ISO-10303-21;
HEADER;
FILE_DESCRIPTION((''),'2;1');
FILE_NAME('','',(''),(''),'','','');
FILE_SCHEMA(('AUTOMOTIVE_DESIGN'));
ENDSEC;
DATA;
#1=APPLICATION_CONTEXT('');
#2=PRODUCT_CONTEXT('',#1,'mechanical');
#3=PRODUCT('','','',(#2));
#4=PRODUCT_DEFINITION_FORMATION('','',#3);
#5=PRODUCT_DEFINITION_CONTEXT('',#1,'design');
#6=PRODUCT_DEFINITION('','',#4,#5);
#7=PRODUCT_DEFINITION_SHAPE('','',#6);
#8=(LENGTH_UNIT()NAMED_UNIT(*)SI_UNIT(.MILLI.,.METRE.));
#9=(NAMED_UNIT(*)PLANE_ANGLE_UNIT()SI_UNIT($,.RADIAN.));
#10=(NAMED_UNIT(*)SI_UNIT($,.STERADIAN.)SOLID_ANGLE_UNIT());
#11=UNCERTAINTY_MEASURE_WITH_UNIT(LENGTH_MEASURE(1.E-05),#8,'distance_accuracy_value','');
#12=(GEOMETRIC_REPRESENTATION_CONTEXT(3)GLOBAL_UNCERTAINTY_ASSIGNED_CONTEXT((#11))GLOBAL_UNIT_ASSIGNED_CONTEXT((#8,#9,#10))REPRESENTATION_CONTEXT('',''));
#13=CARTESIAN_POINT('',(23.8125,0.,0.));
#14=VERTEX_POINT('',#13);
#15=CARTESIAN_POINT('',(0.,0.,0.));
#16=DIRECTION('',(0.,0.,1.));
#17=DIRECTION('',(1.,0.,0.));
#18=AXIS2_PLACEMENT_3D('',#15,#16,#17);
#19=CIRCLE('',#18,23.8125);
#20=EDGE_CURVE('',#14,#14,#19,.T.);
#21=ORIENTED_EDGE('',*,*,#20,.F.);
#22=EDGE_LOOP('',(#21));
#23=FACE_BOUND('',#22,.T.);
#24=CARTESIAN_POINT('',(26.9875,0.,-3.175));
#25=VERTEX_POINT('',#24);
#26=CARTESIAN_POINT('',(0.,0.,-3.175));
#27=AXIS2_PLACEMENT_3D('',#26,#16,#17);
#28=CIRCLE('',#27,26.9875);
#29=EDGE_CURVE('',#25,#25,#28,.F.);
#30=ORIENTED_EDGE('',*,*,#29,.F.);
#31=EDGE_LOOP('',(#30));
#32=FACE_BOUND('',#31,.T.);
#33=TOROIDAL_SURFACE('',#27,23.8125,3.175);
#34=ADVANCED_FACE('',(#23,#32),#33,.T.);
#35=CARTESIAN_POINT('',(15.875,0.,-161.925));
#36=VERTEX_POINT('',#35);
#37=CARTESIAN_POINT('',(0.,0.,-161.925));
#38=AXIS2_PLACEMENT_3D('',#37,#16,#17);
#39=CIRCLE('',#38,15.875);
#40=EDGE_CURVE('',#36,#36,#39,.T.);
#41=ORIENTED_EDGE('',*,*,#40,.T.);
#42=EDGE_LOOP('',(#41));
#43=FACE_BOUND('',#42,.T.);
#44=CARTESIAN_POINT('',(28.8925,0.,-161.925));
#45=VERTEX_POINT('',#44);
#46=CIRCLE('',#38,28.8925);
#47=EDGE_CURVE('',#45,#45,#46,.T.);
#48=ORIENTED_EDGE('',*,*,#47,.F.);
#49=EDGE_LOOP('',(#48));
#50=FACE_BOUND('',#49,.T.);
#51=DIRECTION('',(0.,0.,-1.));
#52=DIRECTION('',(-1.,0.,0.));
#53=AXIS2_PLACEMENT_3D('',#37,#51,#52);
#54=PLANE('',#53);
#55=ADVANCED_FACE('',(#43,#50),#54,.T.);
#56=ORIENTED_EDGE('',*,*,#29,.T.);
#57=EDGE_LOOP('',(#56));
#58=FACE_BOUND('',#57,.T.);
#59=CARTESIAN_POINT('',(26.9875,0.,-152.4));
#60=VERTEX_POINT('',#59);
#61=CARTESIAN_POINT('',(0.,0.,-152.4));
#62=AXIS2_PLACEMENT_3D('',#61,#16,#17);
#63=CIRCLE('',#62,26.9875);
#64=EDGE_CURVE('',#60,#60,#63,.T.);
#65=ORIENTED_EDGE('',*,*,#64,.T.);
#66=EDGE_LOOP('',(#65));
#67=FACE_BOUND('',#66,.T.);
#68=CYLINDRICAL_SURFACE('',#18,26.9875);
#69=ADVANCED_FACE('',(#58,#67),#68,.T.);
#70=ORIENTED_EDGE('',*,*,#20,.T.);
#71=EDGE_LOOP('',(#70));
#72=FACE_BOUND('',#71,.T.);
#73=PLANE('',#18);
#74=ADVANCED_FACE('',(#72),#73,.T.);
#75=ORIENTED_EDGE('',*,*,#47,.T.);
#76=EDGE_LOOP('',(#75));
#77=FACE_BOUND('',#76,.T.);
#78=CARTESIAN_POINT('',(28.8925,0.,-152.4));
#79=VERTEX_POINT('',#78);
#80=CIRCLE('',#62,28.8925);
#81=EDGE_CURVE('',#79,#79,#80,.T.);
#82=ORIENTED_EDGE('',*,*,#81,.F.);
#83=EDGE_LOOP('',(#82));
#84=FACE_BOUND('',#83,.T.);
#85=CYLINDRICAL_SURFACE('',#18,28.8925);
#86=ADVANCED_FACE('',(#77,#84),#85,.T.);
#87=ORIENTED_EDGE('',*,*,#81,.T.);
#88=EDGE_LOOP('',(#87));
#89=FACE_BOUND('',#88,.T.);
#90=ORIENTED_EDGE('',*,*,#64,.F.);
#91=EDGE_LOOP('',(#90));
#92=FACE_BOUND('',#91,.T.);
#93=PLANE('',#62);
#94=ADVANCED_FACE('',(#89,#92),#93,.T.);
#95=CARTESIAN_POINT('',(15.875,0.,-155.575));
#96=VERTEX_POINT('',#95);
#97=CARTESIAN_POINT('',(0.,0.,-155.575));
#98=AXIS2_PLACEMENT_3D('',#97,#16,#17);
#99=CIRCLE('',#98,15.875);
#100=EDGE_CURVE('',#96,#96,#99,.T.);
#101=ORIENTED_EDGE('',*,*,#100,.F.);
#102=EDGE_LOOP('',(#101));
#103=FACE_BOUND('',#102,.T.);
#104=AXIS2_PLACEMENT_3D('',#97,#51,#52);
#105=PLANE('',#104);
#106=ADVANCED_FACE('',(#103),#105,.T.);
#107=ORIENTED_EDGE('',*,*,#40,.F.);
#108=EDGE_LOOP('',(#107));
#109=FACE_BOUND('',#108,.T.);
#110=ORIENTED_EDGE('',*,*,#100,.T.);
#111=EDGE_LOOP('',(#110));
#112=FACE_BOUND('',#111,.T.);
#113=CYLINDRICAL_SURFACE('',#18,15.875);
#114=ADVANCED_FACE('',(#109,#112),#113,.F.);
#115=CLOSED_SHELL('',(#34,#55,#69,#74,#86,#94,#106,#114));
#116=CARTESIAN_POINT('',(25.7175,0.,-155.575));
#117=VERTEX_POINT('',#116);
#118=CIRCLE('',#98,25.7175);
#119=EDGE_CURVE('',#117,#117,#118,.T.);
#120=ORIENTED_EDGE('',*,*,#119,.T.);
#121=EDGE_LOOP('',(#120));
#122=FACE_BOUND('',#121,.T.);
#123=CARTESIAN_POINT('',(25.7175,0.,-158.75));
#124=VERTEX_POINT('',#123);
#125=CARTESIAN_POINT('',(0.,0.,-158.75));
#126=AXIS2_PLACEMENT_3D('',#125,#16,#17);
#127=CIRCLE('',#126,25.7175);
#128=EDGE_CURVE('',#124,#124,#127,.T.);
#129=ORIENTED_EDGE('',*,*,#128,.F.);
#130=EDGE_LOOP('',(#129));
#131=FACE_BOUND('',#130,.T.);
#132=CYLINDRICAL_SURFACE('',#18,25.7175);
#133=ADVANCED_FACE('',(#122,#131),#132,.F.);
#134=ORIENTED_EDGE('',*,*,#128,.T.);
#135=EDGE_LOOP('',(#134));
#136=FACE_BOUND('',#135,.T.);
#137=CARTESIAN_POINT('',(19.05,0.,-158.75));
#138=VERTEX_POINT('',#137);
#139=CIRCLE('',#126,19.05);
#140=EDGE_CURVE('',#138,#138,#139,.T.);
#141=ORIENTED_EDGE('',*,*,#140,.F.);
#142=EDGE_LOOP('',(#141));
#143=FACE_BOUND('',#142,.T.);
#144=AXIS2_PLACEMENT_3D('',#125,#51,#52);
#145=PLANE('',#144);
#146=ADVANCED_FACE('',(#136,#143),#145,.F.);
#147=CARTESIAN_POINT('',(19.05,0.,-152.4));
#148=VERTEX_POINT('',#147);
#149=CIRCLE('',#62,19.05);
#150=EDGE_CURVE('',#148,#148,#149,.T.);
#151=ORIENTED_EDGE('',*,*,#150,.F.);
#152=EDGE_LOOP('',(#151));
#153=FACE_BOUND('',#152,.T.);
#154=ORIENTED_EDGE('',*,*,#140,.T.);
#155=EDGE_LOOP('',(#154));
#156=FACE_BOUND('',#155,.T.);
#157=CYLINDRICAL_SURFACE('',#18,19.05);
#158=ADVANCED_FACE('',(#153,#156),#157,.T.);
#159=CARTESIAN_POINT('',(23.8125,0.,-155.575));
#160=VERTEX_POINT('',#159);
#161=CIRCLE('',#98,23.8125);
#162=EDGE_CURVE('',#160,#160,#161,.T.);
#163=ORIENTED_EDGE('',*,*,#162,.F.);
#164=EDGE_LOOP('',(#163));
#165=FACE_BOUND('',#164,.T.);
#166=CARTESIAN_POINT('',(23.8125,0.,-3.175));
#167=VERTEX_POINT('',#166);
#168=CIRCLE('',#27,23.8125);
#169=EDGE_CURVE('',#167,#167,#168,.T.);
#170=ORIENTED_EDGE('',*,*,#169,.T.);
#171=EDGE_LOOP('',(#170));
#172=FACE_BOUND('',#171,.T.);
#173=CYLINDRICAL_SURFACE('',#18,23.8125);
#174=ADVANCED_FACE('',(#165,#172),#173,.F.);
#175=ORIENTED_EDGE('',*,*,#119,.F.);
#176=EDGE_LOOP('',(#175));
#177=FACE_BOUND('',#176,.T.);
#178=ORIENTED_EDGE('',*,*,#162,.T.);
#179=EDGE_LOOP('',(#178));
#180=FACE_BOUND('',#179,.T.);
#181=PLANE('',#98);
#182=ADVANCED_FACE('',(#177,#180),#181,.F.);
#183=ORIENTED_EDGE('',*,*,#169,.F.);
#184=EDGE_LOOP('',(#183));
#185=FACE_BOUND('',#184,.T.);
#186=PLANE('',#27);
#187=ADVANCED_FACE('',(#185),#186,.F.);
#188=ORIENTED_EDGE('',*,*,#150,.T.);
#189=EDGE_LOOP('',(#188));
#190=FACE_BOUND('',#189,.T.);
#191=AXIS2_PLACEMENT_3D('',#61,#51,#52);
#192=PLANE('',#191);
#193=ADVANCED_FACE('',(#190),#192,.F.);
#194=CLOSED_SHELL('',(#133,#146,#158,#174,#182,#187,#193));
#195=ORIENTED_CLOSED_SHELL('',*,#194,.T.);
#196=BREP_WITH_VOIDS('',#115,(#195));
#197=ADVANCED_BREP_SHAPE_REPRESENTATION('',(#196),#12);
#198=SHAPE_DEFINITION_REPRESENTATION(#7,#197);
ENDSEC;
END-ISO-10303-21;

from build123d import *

# Parameters (mm, degrees)
FILLET1_R = 3.175


with BuildPart() as part:
    # Sketch1 → Revolve1 (revolve)
    with BuildSketch(Plane(origin=(0, 0, 0), x_dir=(0, 0, -1), z_dir=(1, 0, 0)), mode=Mode.PRIVATE) as revolve1_sk:
        Polygon((0, 26.9875), (0, 0), (3.175, 0), (3.175, 23.8125), (155.575, 23.8125), (155.575, 25.7175), (158.75, 25.7175), (158.75, 19.05), (152.4, 19.05), (152.4, 0), (155.575, 0), (155.575, 15.875), (161.925, 15.875), (161.925, 28.8925), (152.4, 28.8925), (152.4, 26.9875), align=None)
    revolve(revolve1_sk.sketch.rotate(Axis((0, 0, 0), (0, 0, -1)), 90), axis=Axis((0, 0, 0), (0, 0, -1)))

    # Fillet1
    fillet1_edges = [part.edges().sort_by_distance(p)[0] for p in [
        (-26.9875, 0, 0),
    ]]
    fillet(fillet1_edges, radius=FILLET1_R)


solid = part.part
